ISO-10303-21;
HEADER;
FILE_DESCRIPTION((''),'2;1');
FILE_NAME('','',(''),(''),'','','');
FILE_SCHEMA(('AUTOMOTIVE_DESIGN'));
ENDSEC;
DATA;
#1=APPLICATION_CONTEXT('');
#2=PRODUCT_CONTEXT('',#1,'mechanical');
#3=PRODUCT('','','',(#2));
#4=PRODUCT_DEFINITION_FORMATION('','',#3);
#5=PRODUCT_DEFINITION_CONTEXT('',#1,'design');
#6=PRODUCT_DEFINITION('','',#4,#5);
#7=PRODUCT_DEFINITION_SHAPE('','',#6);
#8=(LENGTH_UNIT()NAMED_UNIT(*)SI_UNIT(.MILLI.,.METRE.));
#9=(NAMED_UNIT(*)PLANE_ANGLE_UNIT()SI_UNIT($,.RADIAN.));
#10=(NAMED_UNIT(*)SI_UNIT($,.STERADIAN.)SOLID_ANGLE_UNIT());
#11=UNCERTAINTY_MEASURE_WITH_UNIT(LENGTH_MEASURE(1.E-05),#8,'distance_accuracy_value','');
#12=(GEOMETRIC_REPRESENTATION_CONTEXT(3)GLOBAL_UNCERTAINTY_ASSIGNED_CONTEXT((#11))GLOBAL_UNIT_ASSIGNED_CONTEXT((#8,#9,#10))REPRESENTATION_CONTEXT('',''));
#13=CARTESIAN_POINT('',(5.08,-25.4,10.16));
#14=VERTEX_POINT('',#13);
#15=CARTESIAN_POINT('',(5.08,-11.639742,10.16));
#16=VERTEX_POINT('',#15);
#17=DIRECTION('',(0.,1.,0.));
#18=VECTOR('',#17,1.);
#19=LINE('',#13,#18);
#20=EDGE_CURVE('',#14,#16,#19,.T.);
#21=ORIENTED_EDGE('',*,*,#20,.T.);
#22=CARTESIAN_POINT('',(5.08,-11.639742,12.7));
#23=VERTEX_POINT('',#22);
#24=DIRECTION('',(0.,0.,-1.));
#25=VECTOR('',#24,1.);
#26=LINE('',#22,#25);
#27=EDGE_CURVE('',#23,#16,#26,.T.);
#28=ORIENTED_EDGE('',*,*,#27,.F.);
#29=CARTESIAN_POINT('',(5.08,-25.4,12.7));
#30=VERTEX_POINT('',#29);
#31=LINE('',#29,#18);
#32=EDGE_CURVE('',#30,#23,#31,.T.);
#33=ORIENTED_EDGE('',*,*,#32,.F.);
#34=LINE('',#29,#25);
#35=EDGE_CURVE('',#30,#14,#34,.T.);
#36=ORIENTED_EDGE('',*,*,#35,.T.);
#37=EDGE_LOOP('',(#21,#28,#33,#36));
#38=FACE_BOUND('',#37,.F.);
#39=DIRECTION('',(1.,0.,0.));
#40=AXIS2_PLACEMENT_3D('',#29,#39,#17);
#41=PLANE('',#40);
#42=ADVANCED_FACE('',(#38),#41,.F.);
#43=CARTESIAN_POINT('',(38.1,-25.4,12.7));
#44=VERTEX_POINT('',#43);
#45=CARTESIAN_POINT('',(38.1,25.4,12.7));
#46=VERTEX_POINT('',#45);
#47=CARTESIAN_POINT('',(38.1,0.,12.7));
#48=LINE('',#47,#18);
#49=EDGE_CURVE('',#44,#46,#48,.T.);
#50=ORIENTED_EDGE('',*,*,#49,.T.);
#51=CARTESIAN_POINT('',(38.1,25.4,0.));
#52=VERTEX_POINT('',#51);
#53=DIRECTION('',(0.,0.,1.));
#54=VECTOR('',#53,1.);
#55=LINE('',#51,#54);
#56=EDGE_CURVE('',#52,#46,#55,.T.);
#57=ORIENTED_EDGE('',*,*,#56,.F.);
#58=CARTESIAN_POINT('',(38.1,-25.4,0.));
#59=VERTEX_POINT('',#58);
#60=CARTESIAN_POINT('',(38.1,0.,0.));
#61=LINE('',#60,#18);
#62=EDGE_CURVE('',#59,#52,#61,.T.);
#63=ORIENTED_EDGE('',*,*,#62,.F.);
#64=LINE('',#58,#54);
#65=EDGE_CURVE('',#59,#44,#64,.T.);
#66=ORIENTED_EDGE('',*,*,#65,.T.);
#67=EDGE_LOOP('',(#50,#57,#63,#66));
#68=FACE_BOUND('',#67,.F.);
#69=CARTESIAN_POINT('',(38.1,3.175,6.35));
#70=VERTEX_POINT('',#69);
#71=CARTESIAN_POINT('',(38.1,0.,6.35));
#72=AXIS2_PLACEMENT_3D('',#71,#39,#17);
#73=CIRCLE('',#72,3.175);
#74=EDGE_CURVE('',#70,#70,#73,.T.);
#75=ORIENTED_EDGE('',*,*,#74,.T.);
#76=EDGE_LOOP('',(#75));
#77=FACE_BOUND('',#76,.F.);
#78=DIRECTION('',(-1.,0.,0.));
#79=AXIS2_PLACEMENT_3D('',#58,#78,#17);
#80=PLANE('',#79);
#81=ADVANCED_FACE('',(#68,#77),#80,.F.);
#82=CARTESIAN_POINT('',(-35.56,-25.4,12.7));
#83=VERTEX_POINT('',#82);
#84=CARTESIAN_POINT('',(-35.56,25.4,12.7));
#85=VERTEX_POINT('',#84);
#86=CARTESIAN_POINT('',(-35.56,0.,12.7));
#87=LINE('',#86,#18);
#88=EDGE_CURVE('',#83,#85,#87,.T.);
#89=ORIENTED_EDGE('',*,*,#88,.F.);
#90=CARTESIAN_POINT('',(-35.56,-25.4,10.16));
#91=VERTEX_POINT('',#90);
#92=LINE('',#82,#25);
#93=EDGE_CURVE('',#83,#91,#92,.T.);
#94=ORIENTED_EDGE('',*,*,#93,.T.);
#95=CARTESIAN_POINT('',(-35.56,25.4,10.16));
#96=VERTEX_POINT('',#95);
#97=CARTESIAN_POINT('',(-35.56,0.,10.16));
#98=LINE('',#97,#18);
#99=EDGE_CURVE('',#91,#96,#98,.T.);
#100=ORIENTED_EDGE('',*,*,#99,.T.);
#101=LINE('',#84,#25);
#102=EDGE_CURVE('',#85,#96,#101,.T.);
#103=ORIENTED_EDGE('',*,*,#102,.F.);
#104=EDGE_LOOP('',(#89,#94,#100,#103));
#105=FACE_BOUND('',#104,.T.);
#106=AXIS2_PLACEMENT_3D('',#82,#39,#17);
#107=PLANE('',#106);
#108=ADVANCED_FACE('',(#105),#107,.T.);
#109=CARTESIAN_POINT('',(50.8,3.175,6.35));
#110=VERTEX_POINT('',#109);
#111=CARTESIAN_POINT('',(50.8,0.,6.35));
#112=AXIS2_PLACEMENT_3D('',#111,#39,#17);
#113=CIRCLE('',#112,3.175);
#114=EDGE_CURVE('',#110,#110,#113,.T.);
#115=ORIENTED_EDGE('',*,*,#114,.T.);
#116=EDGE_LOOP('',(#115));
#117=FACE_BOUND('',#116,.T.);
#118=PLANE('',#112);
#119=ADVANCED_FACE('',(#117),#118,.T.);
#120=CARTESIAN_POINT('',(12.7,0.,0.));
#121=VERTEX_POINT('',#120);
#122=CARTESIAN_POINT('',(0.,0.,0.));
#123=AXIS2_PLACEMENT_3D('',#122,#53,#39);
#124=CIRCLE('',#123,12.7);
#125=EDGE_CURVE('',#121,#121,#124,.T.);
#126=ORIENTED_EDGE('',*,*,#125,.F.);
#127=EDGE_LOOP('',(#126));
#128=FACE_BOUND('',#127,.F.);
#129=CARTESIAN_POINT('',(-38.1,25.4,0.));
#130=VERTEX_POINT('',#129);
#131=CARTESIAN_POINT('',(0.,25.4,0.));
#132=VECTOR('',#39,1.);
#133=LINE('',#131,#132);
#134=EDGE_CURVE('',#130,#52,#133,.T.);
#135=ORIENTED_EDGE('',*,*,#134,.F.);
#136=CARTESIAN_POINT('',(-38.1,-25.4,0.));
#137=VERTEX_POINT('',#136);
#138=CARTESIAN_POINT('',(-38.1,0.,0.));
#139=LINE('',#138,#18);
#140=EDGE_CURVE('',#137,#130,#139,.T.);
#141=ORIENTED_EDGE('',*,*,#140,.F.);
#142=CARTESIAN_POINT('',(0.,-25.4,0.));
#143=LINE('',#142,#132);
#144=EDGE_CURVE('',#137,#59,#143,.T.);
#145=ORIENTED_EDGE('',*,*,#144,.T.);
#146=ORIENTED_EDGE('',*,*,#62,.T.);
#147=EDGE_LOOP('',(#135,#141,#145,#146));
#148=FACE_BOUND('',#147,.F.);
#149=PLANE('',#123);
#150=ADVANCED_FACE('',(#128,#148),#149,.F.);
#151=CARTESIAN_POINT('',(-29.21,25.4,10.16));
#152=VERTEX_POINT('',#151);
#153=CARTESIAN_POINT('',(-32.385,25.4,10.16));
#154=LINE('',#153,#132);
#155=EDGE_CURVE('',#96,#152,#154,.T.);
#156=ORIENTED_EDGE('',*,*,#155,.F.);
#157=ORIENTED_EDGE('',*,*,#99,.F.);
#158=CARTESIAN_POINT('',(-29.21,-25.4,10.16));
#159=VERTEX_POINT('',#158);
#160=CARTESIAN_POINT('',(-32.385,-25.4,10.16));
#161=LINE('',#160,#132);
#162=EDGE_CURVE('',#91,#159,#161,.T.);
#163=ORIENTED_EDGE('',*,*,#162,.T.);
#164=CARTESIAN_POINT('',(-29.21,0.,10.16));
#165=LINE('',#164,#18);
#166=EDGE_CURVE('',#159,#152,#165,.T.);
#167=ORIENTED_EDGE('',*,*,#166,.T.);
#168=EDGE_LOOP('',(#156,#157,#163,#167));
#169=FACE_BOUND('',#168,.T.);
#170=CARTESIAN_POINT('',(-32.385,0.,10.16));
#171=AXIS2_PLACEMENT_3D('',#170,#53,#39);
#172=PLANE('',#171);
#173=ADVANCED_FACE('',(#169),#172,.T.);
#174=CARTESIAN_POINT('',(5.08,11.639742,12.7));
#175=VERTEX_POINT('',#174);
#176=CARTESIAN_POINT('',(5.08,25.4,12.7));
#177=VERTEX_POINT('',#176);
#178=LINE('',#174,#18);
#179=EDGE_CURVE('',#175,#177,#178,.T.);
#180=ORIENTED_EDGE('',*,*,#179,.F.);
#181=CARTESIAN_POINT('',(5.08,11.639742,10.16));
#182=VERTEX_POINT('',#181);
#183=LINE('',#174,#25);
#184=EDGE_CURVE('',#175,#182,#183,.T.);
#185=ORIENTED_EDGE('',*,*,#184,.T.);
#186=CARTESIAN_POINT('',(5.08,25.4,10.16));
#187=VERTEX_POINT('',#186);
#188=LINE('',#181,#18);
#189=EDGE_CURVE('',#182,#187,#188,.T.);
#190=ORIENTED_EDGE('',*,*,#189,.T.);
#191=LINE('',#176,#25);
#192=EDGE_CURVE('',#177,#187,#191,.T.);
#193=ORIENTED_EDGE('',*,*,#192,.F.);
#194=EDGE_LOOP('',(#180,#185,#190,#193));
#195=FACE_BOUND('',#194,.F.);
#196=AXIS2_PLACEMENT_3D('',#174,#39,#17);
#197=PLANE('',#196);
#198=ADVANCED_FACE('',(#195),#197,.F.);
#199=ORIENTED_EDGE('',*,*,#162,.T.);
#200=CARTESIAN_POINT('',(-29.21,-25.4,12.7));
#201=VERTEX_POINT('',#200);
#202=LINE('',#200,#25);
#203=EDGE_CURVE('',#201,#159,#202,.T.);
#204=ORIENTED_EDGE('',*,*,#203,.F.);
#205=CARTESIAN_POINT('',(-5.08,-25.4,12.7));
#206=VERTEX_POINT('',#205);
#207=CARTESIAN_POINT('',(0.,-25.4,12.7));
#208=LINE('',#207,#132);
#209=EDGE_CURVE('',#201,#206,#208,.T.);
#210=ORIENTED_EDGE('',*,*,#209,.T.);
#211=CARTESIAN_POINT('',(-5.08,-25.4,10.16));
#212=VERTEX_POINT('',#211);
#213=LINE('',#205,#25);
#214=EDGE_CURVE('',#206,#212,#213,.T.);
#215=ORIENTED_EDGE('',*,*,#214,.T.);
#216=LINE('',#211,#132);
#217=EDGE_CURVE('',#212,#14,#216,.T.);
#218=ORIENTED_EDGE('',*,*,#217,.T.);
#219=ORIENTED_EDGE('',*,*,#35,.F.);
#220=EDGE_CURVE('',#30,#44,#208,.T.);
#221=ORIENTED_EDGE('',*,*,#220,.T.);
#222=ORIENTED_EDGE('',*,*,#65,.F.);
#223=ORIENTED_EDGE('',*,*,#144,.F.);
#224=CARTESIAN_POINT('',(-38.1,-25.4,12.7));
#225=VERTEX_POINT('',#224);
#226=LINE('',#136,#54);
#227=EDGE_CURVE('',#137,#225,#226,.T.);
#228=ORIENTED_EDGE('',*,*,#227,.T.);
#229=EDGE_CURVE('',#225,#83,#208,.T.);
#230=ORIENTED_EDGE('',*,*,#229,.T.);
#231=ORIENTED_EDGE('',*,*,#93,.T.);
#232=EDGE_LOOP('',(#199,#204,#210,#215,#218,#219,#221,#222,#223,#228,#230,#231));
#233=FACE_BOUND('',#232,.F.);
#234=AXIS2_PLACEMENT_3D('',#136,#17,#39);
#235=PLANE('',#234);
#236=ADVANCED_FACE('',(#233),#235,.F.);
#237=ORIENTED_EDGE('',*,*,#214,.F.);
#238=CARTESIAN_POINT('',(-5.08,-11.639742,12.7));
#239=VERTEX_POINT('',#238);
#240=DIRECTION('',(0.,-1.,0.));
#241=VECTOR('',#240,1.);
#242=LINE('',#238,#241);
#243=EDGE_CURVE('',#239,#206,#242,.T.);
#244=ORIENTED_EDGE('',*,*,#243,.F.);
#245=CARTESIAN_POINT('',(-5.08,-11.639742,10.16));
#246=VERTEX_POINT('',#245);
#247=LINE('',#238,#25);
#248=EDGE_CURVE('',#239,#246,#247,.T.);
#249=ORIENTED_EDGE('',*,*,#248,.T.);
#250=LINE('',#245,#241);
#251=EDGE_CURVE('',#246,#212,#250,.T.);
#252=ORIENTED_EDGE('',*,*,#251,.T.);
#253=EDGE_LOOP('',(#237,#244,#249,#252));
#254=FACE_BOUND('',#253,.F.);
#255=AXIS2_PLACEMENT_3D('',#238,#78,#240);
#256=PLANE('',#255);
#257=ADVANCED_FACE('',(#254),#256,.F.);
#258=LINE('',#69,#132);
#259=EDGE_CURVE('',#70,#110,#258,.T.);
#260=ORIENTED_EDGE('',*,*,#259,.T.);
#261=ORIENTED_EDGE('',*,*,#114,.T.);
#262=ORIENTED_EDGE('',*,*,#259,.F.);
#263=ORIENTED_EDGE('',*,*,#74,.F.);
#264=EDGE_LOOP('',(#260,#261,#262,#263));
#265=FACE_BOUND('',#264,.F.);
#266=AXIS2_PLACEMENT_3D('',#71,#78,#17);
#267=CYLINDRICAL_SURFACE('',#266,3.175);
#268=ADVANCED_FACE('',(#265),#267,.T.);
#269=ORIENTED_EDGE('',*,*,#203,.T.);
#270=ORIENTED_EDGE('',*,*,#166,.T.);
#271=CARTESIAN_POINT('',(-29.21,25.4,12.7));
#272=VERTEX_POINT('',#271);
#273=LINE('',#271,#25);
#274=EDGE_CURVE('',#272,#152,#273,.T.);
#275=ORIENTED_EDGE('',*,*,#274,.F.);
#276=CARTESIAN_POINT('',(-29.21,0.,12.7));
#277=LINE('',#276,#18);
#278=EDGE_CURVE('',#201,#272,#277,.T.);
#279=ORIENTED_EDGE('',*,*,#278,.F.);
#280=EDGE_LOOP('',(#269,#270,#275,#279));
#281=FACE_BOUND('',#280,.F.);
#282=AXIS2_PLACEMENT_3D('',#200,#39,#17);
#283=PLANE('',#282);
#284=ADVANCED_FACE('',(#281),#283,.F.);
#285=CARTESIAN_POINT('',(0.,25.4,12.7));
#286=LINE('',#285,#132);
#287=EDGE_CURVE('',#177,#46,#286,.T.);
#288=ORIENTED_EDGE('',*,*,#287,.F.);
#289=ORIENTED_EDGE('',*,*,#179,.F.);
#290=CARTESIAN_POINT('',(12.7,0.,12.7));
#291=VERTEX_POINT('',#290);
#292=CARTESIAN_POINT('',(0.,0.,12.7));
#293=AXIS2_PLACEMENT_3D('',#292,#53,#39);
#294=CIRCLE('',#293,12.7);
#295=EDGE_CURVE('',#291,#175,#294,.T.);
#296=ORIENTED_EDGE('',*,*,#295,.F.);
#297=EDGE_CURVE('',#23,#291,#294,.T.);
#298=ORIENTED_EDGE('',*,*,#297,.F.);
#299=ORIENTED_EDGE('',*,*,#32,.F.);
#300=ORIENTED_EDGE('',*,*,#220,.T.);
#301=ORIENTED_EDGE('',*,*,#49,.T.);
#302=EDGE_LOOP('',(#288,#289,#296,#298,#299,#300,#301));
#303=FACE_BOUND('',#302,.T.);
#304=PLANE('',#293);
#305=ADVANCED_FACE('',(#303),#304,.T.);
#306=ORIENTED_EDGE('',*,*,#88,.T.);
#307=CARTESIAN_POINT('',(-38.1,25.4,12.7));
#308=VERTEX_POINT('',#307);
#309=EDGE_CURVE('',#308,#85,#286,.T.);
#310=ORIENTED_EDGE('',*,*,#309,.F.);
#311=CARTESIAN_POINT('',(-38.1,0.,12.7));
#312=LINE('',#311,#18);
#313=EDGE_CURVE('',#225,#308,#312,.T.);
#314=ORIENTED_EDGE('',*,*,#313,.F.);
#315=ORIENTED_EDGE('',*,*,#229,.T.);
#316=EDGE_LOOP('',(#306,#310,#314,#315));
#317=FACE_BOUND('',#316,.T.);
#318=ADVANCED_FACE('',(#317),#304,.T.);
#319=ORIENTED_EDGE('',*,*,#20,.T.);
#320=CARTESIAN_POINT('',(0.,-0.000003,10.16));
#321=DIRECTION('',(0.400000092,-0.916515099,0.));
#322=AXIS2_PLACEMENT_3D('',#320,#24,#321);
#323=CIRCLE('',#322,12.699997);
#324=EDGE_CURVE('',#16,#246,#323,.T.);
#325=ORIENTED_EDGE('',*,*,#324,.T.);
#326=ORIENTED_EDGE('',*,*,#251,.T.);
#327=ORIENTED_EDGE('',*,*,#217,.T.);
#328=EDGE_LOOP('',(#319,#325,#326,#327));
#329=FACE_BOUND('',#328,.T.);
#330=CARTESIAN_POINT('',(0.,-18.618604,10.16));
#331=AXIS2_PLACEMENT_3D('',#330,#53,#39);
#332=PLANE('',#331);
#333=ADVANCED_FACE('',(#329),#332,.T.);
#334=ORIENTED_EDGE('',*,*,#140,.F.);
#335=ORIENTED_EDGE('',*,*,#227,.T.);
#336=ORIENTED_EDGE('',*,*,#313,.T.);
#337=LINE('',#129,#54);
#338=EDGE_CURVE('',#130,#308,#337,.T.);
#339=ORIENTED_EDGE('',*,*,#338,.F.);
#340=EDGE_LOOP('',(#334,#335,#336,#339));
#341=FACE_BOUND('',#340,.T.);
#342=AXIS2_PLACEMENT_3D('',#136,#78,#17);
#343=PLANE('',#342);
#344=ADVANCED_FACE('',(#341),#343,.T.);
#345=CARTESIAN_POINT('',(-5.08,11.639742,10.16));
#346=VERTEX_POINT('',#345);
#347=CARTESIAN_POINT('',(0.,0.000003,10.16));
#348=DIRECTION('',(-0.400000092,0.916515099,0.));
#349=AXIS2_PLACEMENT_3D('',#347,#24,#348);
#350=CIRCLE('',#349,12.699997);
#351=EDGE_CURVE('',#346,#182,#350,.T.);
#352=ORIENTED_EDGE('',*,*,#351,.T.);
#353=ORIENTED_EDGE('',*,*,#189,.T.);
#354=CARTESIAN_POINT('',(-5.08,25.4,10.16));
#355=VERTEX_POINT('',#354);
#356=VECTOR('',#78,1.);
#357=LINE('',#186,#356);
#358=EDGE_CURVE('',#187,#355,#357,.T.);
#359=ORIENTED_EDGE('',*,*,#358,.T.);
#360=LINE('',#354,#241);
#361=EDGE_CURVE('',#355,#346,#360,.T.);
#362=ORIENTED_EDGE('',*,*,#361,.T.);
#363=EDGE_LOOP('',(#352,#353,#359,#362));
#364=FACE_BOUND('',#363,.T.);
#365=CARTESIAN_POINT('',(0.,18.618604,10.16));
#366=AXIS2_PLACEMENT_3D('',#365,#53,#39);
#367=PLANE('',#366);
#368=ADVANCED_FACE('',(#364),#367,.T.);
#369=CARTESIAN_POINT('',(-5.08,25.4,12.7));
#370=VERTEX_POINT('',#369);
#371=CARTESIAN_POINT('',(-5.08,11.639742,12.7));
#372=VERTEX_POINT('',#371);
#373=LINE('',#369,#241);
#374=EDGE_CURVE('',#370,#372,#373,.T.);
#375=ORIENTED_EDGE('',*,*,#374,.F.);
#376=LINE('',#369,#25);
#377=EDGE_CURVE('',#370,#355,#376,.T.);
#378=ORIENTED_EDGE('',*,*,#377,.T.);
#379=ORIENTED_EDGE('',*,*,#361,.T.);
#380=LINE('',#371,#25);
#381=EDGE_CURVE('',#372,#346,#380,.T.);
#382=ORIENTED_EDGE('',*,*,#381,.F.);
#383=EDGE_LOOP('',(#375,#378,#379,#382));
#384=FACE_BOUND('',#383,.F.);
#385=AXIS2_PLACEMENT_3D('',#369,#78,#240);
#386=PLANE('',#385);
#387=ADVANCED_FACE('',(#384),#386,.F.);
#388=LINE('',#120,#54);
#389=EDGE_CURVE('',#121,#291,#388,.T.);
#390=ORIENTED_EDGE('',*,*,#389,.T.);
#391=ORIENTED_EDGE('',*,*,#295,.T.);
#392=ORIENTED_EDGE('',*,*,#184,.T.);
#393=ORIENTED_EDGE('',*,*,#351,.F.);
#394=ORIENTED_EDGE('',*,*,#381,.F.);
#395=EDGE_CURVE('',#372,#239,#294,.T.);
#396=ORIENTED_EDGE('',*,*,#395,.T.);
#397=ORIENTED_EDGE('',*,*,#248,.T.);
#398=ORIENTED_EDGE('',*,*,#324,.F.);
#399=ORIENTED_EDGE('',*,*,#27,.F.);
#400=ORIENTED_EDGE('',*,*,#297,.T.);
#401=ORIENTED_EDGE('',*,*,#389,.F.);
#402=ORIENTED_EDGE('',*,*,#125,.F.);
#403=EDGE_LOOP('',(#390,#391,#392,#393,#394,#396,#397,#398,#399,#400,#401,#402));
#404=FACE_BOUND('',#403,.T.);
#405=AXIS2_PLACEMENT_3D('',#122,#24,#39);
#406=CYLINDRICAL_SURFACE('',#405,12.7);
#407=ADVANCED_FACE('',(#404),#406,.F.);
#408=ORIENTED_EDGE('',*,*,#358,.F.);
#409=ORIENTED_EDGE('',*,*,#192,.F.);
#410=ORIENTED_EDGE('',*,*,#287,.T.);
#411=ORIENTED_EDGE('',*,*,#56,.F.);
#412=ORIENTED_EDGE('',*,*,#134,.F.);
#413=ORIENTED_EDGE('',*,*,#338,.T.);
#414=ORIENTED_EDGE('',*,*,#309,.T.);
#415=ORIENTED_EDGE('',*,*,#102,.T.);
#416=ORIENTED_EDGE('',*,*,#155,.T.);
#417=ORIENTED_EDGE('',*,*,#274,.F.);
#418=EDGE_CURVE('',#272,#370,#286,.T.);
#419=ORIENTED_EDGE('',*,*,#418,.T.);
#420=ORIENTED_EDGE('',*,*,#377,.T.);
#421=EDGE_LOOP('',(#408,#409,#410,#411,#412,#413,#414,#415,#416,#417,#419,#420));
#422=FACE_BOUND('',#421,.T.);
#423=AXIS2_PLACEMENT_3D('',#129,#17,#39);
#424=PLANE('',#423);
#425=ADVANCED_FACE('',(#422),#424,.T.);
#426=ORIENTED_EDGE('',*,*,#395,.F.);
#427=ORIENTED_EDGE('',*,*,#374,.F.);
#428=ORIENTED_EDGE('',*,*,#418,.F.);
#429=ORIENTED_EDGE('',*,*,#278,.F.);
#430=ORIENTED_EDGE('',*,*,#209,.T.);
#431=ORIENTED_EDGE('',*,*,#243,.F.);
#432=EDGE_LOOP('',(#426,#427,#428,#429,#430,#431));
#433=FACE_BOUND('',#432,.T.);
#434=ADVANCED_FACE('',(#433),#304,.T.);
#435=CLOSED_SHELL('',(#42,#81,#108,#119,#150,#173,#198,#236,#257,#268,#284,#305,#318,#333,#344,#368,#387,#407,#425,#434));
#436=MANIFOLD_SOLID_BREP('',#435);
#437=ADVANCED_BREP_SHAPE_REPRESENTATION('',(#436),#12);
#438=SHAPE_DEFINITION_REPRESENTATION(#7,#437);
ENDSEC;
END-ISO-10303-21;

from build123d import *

# Parameters (mm, degrees)
F0_W     = 76.2
F0_H     = 50.8
F0_R     = 12.7
F1_DEPTH = 12.7
F2_W     = 6.35
F2_H     = 50.8
F3_DEPTH = 2.54
F4_R     = 3.175
F5_DEPTH = 12.7


with BuildPart() as f1:
    # F0 (on Top) → F1 (new body)
    with BuildSketch(Plane.XY):
        Rectangle(F0_W, F0_H)
        Circle(F0_R, mode=Mode.SUBTRACT)
    extrude(amount=F1_DEPTH)

    # F2 (on face) → F3 (cut)
    with BuildSketch(Plane.XY.offset(12.7)):
        with Locations((-32.385, 0)):
            Rectangle(F2_W, F2_H)
        with BuildLine():
            Line((5.08, 25.4), (-5.08, 25.4))
            Line((-5.08, 25.4), (-5.08, 11.639742))
            ThreePointArc((-5.08, 11.639742), (0, 12.7), (5.08, 11.639742))
            Line((5.08, 11.639742), (5.08, 25.4))
        make_face()
        with BuildLine():
            Line((-5.08, -11.639742), (-5.08, -25.4))
            Line((-5.08, -25.4), (5.08, -25.4))
            Line((5.08, -25.4), (5.08, -11.639742))
            ThreePointArc((5.08, -11.639742), (0, -12.7), (-5.08, -11.639742))
        make_face()
    extrude(amount=-F3_DEPTH, mode=Mode.SUBTRACT)

    # F4 (on face) → F5 (join)
    with BuildSketch(Plane.YZ.offset(38.1)):
        with Locations((0, 6.35)):
            Circle(F4_R)
    extrude(amount=F5_DEPTH)


solid = f1.part
